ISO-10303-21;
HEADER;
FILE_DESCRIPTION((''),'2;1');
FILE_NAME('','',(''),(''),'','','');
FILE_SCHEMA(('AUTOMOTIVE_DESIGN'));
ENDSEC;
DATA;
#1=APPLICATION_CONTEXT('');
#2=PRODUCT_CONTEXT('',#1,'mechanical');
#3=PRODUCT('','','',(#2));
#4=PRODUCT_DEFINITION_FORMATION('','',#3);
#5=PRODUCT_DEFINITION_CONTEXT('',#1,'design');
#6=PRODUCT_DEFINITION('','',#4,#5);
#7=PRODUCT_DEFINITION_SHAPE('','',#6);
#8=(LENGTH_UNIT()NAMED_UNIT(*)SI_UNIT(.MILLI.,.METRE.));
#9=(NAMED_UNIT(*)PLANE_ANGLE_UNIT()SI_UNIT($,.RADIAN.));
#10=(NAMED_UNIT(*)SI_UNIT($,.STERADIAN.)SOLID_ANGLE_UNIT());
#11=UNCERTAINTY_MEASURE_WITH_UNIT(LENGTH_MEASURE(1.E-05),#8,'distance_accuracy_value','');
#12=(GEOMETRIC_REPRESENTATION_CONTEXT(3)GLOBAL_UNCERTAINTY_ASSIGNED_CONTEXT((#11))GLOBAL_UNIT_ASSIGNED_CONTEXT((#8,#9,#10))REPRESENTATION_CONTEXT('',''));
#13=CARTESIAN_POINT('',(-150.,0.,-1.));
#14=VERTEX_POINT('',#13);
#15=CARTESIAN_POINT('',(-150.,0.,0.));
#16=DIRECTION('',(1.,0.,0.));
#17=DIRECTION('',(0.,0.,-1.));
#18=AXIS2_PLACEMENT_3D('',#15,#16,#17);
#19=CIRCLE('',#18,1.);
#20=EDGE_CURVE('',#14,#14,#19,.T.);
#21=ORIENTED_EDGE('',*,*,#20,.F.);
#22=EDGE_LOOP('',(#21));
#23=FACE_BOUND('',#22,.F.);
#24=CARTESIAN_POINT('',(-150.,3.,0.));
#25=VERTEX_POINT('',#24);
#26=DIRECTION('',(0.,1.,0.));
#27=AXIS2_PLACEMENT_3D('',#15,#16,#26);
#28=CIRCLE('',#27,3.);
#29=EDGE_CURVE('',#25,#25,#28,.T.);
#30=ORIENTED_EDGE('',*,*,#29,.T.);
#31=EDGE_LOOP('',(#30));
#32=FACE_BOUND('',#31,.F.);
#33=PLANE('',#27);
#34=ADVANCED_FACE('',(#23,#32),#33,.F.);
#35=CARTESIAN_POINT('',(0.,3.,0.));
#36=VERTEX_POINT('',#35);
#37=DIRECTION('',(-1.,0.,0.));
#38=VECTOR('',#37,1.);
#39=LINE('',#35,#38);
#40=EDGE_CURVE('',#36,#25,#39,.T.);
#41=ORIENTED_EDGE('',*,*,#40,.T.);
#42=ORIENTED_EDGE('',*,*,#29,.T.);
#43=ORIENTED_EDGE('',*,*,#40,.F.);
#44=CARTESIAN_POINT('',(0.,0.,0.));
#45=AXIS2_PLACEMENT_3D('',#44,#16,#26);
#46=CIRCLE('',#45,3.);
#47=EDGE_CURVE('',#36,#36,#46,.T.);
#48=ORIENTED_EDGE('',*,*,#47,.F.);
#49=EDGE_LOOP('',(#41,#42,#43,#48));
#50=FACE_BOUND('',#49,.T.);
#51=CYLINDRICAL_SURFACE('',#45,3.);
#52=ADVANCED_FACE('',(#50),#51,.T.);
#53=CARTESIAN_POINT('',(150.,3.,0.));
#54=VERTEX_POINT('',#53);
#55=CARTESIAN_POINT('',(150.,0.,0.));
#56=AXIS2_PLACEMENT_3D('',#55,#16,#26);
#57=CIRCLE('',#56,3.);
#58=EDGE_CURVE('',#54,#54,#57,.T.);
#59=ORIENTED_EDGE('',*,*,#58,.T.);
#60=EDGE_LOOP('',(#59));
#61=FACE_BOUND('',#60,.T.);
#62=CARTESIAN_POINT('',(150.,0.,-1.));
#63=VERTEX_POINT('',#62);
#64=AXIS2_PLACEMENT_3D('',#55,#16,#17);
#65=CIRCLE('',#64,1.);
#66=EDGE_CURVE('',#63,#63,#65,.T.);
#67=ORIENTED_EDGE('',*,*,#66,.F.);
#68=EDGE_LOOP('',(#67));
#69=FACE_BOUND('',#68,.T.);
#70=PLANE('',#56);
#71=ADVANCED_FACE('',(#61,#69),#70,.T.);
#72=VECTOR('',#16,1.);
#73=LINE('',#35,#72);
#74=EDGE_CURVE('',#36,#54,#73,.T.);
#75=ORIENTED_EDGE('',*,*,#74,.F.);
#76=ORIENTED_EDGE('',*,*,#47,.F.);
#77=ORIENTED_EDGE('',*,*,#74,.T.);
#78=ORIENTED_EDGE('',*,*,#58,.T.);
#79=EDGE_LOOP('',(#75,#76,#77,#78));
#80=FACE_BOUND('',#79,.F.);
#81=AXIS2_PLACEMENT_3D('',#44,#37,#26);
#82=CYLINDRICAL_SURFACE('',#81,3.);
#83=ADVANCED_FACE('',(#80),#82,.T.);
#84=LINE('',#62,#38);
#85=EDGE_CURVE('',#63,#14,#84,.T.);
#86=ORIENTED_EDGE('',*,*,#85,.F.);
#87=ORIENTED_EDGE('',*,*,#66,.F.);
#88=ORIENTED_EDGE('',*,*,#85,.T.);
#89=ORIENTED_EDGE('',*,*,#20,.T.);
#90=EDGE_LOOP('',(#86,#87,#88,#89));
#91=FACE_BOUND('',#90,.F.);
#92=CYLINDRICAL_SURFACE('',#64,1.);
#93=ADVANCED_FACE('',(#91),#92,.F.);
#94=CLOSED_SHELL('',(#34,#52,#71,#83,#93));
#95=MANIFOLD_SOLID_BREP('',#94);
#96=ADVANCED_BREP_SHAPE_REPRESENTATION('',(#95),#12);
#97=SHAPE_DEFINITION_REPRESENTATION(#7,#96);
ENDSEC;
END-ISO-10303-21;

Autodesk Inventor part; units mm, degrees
ref_plane "YZ Plane" through (0, 0, 0) normal (1, 0, 0) x (0, 1, 0)
ref_plane "XZ Plane" through (0, 0, 0) normal (0, 1, 0) x (-1, 0, 0)
ref_plane "XY Plane" through (0, 0, 0) normal (0, 0, 1) x (1, 0, 0)
sketch "Sketch1" plane through (0, 0, 0) normal (0, 0, 1) x (1, 0, 0)
  point P0 (0, 0)
sketch "Sketch2" plane through (0, 0, 0) normal (1, 0, 0) x (0, 1, 0)
  circle A0 centre (0, 0) radius 3
  dimension "d0" = 6
extrude "Extrusion1" add sketch "Sketch2" along normal mid plane 300
sketch "Sketch3" plane through (150, 0, 0) normal (1, 0, 0) x (0, 0, -1)
  circle A0 centre (0, 0) radius 1
  dimension "d3" = 2
extrude "Extrusion2" cut sketch "Sketch3" against normal up to surface (300 mm away)
thread "Thread1" size "M6x1" class "6g" standard "ANSI Metric M Profile" full length
properties part number "Hollow M6 Threaded Rod"
